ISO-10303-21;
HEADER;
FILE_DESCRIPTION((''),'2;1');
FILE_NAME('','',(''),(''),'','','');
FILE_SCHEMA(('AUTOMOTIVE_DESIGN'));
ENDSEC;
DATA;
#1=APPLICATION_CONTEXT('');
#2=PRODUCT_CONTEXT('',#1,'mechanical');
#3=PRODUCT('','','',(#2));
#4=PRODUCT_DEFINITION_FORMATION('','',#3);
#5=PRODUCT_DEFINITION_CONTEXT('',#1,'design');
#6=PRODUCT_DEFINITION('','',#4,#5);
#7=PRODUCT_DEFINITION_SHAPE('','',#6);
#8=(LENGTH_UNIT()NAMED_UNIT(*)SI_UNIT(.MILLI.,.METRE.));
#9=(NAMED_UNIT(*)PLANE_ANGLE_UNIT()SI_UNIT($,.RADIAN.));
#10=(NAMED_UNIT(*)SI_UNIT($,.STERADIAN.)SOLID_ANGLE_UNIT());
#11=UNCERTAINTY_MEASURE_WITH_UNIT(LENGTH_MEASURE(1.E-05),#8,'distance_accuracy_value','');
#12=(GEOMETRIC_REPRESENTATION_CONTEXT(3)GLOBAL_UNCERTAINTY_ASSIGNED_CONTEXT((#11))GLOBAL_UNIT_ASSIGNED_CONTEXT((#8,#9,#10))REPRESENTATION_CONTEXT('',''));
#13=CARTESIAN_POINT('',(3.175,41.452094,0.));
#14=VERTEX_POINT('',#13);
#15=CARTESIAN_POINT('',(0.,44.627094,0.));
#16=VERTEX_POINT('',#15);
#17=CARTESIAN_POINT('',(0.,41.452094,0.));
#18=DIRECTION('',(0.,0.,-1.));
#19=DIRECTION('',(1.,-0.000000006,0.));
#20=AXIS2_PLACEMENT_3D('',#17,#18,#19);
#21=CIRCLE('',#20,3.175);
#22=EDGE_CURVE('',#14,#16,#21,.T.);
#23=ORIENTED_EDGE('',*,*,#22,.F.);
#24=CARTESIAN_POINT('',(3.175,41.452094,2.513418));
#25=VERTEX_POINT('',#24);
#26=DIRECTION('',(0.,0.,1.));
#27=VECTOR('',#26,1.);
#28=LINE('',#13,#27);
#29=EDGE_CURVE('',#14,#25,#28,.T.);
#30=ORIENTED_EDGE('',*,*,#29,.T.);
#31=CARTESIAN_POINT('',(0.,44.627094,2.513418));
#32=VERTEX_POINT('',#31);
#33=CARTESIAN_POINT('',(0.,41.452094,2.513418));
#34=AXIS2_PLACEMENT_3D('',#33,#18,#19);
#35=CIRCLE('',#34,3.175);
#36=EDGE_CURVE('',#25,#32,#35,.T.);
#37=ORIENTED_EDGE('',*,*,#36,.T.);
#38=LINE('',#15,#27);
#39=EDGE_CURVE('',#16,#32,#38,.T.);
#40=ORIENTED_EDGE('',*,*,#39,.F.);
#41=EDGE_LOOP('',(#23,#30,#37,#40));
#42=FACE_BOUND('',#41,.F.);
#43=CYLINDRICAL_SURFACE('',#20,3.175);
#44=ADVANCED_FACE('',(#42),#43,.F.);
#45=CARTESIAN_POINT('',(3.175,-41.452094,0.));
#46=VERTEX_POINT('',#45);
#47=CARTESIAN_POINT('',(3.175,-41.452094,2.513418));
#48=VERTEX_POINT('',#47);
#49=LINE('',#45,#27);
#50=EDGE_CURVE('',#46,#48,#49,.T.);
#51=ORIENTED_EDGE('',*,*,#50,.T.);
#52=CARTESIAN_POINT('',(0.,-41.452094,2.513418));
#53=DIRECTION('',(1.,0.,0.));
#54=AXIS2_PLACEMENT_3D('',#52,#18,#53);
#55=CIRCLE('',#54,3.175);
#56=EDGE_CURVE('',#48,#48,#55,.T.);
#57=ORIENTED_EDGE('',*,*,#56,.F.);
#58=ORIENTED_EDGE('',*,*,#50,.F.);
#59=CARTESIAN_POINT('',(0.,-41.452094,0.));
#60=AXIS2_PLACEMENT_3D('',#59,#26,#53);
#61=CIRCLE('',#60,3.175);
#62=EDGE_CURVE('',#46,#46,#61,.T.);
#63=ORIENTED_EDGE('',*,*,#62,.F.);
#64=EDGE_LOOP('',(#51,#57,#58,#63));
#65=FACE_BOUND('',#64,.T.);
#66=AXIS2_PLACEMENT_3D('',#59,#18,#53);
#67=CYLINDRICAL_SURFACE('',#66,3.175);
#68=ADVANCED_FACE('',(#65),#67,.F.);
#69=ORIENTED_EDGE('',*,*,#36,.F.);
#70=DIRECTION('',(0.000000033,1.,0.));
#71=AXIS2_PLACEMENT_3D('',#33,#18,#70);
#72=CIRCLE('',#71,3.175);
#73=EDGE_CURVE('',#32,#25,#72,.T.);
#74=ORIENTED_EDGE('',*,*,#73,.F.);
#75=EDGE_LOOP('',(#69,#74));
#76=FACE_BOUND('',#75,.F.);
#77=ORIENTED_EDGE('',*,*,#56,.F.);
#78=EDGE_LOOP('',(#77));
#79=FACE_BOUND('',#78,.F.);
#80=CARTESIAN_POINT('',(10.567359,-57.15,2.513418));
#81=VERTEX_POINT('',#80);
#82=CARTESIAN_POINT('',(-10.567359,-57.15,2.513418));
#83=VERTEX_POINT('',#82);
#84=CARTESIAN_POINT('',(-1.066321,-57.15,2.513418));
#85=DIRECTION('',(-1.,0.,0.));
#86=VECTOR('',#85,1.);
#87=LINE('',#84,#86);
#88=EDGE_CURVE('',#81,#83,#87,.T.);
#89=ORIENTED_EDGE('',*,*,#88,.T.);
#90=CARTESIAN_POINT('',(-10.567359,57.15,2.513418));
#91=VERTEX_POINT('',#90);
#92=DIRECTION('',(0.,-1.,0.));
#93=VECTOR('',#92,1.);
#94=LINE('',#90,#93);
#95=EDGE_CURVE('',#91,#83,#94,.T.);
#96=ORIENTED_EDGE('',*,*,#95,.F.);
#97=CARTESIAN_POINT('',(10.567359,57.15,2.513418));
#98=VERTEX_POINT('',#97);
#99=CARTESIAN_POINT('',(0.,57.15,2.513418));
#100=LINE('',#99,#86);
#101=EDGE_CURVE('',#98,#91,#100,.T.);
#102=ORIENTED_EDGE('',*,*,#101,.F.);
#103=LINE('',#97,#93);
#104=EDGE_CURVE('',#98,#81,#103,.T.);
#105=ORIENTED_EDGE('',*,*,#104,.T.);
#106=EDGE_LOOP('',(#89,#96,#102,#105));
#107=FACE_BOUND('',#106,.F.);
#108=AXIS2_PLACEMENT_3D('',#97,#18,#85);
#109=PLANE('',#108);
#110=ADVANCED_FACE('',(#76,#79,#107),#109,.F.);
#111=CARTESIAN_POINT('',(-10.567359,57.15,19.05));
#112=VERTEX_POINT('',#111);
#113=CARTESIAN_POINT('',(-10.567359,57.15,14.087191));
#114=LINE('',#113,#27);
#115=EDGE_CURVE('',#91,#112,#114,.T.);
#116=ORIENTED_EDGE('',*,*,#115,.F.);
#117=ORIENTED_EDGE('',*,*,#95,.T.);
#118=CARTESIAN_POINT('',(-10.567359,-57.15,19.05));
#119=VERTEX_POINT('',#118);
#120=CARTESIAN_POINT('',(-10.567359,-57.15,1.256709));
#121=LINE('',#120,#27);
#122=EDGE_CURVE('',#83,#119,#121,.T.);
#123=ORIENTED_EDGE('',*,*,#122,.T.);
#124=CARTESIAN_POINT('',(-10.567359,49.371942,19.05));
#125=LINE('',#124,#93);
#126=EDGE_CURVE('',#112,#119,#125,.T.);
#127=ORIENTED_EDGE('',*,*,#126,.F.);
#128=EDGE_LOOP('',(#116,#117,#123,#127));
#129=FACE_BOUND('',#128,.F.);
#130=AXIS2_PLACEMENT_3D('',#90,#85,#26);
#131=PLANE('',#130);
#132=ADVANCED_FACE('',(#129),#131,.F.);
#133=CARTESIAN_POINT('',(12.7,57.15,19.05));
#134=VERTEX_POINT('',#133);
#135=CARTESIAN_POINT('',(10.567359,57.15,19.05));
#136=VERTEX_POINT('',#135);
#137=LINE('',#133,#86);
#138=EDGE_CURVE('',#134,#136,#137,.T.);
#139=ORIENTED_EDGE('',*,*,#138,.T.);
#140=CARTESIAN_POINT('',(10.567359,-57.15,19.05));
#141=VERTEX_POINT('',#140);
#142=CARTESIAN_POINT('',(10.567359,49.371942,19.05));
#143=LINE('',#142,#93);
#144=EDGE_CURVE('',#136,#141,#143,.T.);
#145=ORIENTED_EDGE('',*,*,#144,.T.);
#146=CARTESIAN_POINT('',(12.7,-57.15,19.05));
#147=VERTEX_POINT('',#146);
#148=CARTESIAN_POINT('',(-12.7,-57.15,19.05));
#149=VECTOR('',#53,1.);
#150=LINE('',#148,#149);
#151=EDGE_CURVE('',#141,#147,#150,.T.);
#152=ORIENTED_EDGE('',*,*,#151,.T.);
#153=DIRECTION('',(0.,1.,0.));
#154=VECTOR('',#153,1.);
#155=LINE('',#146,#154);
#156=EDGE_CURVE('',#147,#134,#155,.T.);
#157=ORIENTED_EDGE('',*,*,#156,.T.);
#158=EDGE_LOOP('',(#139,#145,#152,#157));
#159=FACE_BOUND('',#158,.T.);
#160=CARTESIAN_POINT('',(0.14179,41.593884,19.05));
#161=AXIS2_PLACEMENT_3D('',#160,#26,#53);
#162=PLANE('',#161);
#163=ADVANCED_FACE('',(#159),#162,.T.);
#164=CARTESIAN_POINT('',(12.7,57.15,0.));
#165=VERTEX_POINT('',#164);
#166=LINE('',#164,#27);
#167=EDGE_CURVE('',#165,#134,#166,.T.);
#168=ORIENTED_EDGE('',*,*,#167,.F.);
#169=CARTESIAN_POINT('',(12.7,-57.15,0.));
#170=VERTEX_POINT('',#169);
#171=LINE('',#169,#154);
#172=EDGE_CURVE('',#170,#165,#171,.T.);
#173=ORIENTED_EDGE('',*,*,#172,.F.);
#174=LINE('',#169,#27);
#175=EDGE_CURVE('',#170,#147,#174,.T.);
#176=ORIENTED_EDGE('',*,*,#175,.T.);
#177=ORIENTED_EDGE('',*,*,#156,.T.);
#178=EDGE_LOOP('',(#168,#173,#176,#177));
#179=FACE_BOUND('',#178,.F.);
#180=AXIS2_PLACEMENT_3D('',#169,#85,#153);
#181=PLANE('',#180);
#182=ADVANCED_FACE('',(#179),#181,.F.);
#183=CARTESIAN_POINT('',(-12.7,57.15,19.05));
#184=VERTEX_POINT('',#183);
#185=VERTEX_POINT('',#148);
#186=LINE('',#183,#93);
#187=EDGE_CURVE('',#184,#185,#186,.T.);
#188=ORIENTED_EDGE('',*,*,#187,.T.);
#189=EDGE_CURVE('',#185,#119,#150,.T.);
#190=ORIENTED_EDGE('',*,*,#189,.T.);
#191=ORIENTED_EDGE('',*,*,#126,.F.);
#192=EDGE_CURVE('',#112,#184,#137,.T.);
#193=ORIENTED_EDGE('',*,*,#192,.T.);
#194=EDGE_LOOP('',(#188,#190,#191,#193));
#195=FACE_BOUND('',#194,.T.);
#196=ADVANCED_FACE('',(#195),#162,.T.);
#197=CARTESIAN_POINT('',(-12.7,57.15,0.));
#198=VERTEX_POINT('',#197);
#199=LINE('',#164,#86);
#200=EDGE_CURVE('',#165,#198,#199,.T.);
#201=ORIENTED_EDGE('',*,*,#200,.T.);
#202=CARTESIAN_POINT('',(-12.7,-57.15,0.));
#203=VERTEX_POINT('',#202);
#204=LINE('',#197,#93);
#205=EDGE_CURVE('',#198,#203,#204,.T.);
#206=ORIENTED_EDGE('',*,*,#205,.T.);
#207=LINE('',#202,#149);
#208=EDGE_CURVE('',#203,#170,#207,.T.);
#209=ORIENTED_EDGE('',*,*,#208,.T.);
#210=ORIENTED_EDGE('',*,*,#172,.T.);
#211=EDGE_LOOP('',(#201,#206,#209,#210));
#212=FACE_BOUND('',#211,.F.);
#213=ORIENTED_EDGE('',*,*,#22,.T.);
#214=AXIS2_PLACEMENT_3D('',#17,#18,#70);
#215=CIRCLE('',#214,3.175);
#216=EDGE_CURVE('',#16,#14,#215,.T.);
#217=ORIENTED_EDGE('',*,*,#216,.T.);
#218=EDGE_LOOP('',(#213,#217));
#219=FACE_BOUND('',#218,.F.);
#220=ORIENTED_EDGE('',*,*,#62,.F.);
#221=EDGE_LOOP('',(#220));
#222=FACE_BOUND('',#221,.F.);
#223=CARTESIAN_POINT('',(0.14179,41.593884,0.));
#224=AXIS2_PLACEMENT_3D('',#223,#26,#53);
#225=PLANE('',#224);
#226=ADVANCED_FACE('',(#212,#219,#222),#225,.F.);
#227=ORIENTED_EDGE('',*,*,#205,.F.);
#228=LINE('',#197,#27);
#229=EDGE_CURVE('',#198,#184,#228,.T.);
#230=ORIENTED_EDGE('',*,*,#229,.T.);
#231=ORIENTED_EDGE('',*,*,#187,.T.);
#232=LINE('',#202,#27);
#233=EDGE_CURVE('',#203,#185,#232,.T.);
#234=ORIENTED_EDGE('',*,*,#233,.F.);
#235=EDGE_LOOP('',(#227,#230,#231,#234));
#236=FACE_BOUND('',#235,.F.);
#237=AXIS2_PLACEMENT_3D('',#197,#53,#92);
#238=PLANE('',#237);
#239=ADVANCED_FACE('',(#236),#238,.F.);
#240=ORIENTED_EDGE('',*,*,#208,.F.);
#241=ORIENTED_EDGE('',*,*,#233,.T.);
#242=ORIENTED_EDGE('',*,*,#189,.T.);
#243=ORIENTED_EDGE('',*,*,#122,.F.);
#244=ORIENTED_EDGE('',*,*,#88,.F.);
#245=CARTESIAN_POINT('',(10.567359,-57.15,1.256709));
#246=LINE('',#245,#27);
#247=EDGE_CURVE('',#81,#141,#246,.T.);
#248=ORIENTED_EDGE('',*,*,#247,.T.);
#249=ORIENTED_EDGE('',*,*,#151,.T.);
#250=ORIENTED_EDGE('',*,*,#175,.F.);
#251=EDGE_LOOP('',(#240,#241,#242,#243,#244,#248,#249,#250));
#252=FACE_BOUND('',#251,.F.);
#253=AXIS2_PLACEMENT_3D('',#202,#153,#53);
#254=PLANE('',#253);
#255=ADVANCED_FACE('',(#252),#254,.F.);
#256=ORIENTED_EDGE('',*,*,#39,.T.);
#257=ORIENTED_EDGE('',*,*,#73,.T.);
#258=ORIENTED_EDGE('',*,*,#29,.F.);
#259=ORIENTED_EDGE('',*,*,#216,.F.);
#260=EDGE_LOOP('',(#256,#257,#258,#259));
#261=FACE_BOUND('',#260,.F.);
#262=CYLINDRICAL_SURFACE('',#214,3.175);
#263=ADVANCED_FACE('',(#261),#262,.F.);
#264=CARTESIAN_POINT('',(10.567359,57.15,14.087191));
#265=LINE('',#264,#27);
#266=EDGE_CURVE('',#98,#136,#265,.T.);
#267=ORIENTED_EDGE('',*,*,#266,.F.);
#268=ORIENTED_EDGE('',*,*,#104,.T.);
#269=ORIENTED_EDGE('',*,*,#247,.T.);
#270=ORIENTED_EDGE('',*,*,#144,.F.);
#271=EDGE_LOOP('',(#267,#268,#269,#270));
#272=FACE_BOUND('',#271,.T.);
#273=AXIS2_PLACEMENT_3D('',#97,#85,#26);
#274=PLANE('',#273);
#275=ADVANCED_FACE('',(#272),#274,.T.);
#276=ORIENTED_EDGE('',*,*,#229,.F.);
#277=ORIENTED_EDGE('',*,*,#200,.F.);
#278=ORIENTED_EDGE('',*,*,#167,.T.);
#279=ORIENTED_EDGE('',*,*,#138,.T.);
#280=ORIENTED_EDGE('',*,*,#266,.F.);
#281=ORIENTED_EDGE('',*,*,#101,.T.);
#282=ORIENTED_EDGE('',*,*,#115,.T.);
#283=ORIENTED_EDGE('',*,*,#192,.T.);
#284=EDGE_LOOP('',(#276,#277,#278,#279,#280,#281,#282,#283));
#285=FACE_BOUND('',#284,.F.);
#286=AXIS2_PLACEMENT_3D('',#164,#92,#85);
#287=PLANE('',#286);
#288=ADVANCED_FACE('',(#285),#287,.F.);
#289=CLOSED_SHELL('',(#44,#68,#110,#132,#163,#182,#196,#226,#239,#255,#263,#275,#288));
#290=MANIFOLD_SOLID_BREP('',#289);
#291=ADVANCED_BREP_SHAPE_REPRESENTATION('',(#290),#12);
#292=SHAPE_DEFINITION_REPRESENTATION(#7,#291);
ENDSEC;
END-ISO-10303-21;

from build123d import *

# Parameters (mm, degrees)
F0_R     = 3.175
F1_DEPTH = 19.05
F2_W     = 21.134718
F2_H     = 23.147546
F3_DEPTH = 140.54349


with BuildPart() as f1:
    # F0 (on Top) → F1 (new body)
    with BuildSketch(Plane.XY):
        with BuildLine():
            ThreePointArc((3.175, 41.452094), (2.245064, 43.697158), (0, 44.627094))
            ThreePointArc((0, 44.627094), (-2.245064, 39.20703), (3.175, 41.452094))
        make_face()
        Polygon((-12.7, -57.15), (12.7, -57.15), (12.7, 57.15), (0, 57.15), (-12.7, 57.15), align=None)
        with Locations((0, -41.452094)):
            Circle(F0_R, mode=Mode.SUBTRACT)
        with BuildLine():
            ThreePointArc((3.175, 41.452094), (-2.245064, 39.20703), (0, 44.627094))
            ThreePointArc((0, 44.627094), (2.245064, 43.697158), (3.175, 41.452094))
        make_face(mode=Mode.SUBTRACT)
    extrude(amount=F1_DEPTH)

    # F2 (on face) → F3 (cut)
    with BuildSketch(Plane(origin=(0, 57.15, 0), x_dir=(-1, 0, 0), z_dir=(0, 1, 0))):
        with Locations((0, 14.087191)):
            Rectangle(F2_W, F2_H)
    extrude(amount=-F3_DEPTH, mode=Mode.SUBTRACT)


solid = f1.part
